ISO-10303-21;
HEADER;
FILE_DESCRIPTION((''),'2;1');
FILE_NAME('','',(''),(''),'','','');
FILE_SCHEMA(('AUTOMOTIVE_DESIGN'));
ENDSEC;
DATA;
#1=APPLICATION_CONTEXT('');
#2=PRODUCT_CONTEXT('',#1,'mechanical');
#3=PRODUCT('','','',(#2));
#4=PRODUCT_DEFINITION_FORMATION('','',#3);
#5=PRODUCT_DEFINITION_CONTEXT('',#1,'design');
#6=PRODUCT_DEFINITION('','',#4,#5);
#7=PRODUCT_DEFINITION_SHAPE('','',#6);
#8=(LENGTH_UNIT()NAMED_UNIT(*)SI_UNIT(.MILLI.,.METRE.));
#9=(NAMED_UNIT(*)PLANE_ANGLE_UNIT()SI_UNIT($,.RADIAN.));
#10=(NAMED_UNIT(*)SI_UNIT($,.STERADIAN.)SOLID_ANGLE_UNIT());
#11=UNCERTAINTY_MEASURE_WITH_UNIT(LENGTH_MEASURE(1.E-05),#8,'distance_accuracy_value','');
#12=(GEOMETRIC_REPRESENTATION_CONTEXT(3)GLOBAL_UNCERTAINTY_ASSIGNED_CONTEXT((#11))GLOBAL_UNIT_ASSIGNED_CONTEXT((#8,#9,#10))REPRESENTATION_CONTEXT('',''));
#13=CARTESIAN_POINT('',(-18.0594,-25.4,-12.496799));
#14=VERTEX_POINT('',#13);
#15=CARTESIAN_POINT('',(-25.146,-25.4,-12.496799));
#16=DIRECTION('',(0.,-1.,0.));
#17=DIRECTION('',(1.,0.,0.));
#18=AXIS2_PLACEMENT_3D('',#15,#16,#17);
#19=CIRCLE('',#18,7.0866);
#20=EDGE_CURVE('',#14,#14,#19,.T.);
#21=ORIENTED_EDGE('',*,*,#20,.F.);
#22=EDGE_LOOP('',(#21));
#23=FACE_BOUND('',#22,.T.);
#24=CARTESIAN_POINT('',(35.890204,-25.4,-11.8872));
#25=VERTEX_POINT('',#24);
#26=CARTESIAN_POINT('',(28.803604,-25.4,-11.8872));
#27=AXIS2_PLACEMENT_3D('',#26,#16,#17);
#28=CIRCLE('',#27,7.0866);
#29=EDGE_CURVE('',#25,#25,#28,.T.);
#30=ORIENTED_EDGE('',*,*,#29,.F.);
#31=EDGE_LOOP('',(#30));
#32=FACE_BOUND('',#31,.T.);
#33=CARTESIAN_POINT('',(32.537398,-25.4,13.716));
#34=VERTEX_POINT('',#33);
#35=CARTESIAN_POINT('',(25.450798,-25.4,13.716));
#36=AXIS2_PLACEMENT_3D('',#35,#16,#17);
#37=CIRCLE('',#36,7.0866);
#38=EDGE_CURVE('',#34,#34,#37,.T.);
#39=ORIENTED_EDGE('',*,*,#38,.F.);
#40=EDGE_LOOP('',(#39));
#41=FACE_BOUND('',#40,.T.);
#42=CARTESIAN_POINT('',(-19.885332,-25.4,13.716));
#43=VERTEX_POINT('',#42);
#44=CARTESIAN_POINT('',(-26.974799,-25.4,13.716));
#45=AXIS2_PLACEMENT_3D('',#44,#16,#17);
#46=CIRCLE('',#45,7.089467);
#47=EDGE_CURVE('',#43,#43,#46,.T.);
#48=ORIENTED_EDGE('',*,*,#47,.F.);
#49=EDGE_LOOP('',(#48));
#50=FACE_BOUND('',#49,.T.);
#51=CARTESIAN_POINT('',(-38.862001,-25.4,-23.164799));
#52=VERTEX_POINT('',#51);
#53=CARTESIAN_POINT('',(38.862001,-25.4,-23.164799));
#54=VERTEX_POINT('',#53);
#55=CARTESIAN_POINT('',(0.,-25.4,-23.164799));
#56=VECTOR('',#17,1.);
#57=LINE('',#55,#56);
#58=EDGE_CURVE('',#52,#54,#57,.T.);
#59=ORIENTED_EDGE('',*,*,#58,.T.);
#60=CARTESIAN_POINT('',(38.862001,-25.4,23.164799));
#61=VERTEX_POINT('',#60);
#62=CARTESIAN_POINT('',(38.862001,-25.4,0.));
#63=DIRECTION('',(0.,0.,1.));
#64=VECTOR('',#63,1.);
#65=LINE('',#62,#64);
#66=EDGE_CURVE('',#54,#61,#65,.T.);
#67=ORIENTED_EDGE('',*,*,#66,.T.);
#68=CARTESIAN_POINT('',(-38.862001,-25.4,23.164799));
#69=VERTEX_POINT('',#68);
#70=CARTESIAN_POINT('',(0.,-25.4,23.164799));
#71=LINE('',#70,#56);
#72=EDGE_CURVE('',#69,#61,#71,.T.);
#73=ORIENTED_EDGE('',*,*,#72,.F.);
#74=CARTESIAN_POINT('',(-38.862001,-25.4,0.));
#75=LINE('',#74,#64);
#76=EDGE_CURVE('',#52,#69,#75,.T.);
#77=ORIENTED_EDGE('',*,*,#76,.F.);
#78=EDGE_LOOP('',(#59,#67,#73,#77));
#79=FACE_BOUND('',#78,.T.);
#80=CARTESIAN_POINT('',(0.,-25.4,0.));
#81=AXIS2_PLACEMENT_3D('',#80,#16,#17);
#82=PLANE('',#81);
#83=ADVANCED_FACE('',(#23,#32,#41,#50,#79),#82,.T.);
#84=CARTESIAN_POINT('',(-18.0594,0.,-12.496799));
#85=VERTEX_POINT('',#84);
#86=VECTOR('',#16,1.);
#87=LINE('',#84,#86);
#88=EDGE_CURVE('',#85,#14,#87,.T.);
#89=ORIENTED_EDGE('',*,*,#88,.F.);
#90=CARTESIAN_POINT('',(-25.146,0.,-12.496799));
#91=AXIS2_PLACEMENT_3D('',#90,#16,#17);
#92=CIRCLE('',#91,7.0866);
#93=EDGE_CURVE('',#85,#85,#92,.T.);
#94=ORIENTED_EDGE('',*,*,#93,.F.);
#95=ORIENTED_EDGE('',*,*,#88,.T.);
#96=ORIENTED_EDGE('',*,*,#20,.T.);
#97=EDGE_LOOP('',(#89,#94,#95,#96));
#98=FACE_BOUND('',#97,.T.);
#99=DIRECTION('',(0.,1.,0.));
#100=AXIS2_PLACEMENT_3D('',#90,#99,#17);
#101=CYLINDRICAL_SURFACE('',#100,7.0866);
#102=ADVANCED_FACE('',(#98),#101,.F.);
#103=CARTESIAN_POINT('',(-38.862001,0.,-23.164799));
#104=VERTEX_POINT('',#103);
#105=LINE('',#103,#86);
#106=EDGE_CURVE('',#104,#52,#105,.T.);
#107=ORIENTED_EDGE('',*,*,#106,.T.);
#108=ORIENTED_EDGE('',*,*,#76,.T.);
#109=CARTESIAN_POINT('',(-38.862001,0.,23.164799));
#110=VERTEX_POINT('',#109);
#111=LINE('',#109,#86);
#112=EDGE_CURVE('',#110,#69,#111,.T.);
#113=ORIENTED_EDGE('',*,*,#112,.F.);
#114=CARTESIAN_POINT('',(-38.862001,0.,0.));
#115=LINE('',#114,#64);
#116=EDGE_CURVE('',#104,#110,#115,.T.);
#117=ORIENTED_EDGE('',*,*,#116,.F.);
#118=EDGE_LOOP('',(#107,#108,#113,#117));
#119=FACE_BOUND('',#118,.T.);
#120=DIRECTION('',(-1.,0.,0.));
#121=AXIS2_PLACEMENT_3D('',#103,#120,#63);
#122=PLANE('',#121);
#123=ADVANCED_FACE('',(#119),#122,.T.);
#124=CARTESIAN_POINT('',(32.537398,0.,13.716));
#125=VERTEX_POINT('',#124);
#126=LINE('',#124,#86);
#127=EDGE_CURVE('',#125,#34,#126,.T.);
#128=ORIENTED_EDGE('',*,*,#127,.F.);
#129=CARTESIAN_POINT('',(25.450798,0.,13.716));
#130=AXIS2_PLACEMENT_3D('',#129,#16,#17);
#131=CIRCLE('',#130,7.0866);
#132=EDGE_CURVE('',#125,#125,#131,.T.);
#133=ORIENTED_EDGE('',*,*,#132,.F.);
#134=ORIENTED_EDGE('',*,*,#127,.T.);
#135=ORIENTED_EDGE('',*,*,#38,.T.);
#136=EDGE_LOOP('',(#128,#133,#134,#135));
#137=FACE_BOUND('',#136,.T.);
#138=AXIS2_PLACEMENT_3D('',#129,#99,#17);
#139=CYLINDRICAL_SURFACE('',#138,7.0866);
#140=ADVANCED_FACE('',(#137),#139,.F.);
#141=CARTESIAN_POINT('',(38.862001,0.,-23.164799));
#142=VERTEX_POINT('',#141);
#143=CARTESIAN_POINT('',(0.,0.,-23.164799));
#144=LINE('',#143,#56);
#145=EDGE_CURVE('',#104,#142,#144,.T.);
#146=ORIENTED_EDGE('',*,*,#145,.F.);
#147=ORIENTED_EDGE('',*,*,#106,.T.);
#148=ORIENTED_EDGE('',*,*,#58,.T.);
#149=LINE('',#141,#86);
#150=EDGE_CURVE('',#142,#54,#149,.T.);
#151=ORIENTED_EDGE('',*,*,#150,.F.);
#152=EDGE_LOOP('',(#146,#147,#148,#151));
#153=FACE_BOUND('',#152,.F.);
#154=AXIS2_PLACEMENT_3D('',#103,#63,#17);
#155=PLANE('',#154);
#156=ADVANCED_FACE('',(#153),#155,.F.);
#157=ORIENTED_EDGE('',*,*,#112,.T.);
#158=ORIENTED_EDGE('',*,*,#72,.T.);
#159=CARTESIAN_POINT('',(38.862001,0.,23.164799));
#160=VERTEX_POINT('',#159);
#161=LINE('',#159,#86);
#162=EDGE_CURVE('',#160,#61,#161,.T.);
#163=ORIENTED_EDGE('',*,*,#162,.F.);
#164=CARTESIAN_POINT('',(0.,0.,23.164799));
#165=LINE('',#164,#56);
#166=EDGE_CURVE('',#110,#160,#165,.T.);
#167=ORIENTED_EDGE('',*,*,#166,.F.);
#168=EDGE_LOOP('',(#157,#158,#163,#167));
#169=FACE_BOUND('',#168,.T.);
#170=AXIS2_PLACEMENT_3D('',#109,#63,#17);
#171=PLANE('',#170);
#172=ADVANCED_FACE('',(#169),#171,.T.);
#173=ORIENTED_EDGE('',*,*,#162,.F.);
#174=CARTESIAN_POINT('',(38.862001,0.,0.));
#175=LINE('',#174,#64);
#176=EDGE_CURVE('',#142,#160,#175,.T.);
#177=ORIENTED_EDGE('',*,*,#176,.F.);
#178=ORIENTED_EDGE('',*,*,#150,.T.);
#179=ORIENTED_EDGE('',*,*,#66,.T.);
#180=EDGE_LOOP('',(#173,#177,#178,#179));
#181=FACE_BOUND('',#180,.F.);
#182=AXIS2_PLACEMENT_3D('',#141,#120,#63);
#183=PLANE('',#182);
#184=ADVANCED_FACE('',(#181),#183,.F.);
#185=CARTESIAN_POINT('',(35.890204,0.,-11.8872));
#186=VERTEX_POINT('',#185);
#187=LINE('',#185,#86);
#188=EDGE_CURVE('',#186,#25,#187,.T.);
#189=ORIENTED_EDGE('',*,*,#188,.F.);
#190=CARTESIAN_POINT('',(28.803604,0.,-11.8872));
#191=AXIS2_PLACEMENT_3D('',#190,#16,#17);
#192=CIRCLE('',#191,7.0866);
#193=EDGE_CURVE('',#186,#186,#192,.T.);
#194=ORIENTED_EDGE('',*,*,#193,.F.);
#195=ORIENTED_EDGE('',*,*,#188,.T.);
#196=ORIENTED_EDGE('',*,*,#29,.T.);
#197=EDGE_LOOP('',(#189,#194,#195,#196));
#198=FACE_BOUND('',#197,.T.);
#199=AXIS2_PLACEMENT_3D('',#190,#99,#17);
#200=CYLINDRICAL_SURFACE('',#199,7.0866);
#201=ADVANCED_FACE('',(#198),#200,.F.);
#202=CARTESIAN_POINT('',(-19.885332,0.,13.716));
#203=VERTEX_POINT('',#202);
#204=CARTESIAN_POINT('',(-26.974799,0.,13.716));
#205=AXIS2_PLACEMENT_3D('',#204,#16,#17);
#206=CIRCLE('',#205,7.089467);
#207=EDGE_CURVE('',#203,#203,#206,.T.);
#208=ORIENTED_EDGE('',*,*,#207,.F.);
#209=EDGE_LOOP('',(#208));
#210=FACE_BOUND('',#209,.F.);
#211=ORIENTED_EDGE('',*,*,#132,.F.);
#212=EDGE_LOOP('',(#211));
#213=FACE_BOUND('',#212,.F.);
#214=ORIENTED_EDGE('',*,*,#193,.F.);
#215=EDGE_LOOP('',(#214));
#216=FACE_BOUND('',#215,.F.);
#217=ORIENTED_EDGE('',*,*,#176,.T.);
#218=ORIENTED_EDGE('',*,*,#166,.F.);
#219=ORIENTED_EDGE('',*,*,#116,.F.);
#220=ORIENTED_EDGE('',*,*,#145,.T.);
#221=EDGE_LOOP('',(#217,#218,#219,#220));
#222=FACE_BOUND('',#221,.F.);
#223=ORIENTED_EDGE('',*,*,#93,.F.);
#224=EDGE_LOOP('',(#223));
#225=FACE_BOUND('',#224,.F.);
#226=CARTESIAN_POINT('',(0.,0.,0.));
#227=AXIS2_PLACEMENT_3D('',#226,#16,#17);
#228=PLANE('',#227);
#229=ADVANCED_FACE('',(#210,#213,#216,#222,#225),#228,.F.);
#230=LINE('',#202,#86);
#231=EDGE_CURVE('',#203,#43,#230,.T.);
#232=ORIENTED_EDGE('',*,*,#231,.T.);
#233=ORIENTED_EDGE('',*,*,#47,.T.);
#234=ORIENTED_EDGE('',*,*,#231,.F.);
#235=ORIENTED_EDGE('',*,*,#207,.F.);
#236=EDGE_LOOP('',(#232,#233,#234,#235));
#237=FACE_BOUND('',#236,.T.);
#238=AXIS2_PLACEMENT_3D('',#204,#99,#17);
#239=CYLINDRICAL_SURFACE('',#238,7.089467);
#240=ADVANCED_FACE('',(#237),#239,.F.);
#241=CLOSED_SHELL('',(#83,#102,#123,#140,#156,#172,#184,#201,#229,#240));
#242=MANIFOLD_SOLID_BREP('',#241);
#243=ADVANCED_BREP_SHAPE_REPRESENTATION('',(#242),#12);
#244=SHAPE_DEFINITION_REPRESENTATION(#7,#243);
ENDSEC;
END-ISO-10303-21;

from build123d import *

# Parameters (mm, degrees)
F0_W     = 77.724002
F0_H     = 46.329598
F0_R     = 7.0866
F0_R_2   = 7.089467
F1_DEPTH = 25.4


with BuildPart() as f1:
    # F0 (on Front) → F1 (new body)
    with BuildSketch(Plane.XZ):
        Rectangle(F0_W, F0_H)
        with Locations((-25.146, -12.496799)):
            Circle(F0_R, mode=Mode.SUBTRACT)
        with Locations((28.803604, -11.8872)):
            Circle(F0_R, mode=Mode.SUBTRACT)
        with Locations((-26.974799, 13.716)):
            Circle(F0_R_2, mode=Mode.SUBTRACT)
        with Locations((25.450798, 13.716)):
            Circle(F0_R, mode=Mode.SUBTRACT)
    extrude(amount=F1_DEPTH)


solid = f1.part
